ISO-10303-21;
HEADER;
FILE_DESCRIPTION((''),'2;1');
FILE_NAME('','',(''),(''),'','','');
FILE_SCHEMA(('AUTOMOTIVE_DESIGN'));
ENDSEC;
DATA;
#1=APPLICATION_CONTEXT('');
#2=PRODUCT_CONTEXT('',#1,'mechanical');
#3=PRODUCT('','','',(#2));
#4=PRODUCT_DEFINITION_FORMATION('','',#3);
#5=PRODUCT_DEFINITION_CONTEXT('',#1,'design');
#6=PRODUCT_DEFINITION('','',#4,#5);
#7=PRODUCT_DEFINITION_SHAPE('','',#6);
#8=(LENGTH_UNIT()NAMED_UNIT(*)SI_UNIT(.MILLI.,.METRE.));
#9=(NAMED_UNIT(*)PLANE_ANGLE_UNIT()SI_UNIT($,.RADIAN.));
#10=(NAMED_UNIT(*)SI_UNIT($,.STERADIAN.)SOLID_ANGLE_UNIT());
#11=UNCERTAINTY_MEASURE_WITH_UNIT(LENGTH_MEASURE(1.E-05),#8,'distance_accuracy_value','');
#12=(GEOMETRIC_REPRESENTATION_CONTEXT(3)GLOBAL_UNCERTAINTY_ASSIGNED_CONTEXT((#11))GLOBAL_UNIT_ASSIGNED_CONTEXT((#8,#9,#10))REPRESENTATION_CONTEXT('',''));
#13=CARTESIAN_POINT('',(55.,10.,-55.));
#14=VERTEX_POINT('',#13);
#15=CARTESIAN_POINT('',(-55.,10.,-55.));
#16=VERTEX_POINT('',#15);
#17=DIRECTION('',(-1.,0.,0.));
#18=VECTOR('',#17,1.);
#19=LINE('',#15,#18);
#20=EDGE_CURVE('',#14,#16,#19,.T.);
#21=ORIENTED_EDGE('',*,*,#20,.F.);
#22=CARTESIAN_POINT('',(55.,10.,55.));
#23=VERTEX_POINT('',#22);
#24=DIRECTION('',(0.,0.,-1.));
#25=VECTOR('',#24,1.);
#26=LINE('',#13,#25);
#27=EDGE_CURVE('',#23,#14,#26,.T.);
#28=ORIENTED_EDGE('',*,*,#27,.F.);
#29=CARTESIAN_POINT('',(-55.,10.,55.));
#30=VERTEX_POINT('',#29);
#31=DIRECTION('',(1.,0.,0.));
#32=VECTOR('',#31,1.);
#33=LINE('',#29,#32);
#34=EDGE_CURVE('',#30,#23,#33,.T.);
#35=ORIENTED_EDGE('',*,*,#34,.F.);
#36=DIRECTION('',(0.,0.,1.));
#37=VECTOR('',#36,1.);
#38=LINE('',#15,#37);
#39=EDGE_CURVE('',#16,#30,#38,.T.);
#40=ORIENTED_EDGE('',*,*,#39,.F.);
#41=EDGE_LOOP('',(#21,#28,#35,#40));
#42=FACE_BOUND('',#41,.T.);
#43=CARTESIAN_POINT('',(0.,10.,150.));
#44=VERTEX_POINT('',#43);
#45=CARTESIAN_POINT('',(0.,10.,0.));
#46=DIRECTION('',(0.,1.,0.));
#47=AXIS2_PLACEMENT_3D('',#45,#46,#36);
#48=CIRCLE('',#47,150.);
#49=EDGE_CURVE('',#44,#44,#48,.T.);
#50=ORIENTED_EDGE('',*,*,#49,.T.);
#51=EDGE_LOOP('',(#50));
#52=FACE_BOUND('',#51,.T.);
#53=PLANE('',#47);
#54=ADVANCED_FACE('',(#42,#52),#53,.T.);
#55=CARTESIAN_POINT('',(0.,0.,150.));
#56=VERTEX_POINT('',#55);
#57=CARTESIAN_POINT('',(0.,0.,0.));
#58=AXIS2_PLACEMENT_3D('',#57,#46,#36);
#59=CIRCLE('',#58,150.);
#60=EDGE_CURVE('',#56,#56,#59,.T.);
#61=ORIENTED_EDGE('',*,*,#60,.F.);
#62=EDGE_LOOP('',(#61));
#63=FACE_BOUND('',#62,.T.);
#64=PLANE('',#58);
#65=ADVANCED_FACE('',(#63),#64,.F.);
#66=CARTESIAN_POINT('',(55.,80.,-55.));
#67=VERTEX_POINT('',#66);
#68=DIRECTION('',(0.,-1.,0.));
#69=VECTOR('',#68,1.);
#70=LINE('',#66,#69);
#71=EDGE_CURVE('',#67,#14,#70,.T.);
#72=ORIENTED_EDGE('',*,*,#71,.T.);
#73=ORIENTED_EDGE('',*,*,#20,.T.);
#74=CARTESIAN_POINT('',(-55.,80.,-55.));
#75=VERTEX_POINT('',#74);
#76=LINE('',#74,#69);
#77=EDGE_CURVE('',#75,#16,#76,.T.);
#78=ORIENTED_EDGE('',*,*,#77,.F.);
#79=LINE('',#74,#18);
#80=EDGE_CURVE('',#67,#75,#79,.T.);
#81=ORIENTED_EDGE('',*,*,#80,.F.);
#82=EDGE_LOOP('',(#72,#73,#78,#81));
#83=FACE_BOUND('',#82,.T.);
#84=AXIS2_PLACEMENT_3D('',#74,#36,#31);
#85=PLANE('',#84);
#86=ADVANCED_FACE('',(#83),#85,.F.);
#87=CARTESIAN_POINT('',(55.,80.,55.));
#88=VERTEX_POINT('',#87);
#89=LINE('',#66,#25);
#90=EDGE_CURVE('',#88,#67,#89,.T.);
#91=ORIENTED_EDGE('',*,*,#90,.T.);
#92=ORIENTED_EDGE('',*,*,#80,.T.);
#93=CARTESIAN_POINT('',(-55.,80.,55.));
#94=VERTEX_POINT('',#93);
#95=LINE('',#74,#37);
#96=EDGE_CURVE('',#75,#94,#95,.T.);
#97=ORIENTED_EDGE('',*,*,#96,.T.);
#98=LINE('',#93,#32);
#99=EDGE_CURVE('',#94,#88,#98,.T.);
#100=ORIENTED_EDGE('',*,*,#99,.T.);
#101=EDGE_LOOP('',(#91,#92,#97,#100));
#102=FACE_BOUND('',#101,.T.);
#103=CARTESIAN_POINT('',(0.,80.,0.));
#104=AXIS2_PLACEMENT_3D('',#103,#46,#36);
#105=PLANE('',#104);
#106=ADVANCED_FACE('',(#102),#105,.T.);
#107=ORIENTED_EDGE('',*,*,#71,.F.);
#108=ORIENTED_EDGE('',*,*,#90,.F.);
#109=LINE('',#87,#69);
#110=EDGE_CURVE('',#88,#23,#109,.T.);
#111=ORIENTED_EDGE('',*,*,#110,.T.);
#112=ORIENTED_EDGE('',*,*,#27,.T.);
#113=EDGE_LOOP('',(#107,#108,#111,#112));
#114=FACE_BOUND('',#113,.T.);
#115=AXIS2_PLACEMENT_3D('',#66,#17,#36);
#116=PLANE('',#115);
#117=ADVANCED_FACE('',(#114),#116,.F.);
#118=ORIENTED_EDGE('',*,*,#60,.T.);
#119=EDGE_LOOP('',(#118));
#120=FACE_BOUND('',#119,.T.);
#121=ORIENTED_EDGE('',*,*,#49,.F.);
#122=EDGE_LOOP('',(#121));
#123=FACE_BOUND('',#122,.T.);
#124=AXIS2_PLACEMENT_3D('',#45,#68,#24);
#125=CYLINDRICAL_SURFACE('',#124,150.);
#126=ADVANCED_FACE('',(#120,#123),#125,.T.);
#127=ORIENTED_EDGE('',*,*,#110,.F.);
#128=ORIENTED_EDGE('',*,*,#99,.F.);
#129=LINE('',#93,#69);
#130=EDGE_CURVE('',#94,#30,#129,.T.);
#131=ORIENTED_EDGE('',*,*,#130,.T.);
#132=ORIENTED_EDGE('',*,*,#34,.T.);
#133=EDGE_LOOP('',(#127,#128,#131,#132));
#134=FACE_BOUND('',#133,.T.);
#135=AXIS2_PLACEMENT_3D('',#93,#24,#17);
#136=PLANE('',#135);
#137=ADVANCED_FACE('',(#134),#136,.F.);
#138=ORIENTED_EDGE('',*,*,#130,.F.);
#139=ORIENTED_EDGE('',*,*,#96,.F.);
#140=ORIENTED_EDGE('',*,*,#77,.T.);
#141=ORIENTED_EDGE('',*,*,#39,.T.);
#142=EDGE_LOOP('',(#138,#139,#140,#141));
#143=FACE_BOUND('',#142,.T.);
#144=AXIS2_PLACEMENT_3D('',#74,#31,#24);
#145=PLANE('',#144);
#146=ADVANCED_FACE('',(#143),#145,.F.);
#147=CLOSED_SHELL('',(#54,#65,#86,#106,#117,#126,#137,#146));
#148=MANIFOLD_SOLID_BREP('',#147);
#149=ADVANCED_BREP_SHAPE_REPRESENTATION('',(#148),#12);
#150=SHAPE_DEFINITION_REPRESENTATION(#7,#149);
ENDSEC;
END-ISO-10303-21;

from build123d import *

# Parameters (mm, degrees)
SKETCH_1_R      = 150
EXTRUDE_2_DEPTH = 10
SKETCH_2_W      = 110
SKETCH_2_H      = 110
EXTRUDE_3_DEPTH = 70


with BuildPart() as part:
    # 草图1 → 凸台-拉伸2 (new body)
    with BuildSketch(Plane(origin=(0, 0, 0), x_dir=(1, 0, 0), z_dir=(0, 1, 0))):
        with Locations(Location((0, 0, 0), (0, 0, 270))):
            Circle(SKETCH_1_R)
    extrude(amount=EXTRUDE_2_DEPTH)

    # 草图2 → 凸台-拉伸3 (add)
    with BuildSketch(Plane(origin=(0, 10, 0), x_dir=(1, 0, 0), z_dir=(0, 1, 0))):
        Rectangle(SKETCH_2_W, SKETCH_2_H)
    extrude(amount=EXTRUDE_3_DEPTH)


solid = part.part
